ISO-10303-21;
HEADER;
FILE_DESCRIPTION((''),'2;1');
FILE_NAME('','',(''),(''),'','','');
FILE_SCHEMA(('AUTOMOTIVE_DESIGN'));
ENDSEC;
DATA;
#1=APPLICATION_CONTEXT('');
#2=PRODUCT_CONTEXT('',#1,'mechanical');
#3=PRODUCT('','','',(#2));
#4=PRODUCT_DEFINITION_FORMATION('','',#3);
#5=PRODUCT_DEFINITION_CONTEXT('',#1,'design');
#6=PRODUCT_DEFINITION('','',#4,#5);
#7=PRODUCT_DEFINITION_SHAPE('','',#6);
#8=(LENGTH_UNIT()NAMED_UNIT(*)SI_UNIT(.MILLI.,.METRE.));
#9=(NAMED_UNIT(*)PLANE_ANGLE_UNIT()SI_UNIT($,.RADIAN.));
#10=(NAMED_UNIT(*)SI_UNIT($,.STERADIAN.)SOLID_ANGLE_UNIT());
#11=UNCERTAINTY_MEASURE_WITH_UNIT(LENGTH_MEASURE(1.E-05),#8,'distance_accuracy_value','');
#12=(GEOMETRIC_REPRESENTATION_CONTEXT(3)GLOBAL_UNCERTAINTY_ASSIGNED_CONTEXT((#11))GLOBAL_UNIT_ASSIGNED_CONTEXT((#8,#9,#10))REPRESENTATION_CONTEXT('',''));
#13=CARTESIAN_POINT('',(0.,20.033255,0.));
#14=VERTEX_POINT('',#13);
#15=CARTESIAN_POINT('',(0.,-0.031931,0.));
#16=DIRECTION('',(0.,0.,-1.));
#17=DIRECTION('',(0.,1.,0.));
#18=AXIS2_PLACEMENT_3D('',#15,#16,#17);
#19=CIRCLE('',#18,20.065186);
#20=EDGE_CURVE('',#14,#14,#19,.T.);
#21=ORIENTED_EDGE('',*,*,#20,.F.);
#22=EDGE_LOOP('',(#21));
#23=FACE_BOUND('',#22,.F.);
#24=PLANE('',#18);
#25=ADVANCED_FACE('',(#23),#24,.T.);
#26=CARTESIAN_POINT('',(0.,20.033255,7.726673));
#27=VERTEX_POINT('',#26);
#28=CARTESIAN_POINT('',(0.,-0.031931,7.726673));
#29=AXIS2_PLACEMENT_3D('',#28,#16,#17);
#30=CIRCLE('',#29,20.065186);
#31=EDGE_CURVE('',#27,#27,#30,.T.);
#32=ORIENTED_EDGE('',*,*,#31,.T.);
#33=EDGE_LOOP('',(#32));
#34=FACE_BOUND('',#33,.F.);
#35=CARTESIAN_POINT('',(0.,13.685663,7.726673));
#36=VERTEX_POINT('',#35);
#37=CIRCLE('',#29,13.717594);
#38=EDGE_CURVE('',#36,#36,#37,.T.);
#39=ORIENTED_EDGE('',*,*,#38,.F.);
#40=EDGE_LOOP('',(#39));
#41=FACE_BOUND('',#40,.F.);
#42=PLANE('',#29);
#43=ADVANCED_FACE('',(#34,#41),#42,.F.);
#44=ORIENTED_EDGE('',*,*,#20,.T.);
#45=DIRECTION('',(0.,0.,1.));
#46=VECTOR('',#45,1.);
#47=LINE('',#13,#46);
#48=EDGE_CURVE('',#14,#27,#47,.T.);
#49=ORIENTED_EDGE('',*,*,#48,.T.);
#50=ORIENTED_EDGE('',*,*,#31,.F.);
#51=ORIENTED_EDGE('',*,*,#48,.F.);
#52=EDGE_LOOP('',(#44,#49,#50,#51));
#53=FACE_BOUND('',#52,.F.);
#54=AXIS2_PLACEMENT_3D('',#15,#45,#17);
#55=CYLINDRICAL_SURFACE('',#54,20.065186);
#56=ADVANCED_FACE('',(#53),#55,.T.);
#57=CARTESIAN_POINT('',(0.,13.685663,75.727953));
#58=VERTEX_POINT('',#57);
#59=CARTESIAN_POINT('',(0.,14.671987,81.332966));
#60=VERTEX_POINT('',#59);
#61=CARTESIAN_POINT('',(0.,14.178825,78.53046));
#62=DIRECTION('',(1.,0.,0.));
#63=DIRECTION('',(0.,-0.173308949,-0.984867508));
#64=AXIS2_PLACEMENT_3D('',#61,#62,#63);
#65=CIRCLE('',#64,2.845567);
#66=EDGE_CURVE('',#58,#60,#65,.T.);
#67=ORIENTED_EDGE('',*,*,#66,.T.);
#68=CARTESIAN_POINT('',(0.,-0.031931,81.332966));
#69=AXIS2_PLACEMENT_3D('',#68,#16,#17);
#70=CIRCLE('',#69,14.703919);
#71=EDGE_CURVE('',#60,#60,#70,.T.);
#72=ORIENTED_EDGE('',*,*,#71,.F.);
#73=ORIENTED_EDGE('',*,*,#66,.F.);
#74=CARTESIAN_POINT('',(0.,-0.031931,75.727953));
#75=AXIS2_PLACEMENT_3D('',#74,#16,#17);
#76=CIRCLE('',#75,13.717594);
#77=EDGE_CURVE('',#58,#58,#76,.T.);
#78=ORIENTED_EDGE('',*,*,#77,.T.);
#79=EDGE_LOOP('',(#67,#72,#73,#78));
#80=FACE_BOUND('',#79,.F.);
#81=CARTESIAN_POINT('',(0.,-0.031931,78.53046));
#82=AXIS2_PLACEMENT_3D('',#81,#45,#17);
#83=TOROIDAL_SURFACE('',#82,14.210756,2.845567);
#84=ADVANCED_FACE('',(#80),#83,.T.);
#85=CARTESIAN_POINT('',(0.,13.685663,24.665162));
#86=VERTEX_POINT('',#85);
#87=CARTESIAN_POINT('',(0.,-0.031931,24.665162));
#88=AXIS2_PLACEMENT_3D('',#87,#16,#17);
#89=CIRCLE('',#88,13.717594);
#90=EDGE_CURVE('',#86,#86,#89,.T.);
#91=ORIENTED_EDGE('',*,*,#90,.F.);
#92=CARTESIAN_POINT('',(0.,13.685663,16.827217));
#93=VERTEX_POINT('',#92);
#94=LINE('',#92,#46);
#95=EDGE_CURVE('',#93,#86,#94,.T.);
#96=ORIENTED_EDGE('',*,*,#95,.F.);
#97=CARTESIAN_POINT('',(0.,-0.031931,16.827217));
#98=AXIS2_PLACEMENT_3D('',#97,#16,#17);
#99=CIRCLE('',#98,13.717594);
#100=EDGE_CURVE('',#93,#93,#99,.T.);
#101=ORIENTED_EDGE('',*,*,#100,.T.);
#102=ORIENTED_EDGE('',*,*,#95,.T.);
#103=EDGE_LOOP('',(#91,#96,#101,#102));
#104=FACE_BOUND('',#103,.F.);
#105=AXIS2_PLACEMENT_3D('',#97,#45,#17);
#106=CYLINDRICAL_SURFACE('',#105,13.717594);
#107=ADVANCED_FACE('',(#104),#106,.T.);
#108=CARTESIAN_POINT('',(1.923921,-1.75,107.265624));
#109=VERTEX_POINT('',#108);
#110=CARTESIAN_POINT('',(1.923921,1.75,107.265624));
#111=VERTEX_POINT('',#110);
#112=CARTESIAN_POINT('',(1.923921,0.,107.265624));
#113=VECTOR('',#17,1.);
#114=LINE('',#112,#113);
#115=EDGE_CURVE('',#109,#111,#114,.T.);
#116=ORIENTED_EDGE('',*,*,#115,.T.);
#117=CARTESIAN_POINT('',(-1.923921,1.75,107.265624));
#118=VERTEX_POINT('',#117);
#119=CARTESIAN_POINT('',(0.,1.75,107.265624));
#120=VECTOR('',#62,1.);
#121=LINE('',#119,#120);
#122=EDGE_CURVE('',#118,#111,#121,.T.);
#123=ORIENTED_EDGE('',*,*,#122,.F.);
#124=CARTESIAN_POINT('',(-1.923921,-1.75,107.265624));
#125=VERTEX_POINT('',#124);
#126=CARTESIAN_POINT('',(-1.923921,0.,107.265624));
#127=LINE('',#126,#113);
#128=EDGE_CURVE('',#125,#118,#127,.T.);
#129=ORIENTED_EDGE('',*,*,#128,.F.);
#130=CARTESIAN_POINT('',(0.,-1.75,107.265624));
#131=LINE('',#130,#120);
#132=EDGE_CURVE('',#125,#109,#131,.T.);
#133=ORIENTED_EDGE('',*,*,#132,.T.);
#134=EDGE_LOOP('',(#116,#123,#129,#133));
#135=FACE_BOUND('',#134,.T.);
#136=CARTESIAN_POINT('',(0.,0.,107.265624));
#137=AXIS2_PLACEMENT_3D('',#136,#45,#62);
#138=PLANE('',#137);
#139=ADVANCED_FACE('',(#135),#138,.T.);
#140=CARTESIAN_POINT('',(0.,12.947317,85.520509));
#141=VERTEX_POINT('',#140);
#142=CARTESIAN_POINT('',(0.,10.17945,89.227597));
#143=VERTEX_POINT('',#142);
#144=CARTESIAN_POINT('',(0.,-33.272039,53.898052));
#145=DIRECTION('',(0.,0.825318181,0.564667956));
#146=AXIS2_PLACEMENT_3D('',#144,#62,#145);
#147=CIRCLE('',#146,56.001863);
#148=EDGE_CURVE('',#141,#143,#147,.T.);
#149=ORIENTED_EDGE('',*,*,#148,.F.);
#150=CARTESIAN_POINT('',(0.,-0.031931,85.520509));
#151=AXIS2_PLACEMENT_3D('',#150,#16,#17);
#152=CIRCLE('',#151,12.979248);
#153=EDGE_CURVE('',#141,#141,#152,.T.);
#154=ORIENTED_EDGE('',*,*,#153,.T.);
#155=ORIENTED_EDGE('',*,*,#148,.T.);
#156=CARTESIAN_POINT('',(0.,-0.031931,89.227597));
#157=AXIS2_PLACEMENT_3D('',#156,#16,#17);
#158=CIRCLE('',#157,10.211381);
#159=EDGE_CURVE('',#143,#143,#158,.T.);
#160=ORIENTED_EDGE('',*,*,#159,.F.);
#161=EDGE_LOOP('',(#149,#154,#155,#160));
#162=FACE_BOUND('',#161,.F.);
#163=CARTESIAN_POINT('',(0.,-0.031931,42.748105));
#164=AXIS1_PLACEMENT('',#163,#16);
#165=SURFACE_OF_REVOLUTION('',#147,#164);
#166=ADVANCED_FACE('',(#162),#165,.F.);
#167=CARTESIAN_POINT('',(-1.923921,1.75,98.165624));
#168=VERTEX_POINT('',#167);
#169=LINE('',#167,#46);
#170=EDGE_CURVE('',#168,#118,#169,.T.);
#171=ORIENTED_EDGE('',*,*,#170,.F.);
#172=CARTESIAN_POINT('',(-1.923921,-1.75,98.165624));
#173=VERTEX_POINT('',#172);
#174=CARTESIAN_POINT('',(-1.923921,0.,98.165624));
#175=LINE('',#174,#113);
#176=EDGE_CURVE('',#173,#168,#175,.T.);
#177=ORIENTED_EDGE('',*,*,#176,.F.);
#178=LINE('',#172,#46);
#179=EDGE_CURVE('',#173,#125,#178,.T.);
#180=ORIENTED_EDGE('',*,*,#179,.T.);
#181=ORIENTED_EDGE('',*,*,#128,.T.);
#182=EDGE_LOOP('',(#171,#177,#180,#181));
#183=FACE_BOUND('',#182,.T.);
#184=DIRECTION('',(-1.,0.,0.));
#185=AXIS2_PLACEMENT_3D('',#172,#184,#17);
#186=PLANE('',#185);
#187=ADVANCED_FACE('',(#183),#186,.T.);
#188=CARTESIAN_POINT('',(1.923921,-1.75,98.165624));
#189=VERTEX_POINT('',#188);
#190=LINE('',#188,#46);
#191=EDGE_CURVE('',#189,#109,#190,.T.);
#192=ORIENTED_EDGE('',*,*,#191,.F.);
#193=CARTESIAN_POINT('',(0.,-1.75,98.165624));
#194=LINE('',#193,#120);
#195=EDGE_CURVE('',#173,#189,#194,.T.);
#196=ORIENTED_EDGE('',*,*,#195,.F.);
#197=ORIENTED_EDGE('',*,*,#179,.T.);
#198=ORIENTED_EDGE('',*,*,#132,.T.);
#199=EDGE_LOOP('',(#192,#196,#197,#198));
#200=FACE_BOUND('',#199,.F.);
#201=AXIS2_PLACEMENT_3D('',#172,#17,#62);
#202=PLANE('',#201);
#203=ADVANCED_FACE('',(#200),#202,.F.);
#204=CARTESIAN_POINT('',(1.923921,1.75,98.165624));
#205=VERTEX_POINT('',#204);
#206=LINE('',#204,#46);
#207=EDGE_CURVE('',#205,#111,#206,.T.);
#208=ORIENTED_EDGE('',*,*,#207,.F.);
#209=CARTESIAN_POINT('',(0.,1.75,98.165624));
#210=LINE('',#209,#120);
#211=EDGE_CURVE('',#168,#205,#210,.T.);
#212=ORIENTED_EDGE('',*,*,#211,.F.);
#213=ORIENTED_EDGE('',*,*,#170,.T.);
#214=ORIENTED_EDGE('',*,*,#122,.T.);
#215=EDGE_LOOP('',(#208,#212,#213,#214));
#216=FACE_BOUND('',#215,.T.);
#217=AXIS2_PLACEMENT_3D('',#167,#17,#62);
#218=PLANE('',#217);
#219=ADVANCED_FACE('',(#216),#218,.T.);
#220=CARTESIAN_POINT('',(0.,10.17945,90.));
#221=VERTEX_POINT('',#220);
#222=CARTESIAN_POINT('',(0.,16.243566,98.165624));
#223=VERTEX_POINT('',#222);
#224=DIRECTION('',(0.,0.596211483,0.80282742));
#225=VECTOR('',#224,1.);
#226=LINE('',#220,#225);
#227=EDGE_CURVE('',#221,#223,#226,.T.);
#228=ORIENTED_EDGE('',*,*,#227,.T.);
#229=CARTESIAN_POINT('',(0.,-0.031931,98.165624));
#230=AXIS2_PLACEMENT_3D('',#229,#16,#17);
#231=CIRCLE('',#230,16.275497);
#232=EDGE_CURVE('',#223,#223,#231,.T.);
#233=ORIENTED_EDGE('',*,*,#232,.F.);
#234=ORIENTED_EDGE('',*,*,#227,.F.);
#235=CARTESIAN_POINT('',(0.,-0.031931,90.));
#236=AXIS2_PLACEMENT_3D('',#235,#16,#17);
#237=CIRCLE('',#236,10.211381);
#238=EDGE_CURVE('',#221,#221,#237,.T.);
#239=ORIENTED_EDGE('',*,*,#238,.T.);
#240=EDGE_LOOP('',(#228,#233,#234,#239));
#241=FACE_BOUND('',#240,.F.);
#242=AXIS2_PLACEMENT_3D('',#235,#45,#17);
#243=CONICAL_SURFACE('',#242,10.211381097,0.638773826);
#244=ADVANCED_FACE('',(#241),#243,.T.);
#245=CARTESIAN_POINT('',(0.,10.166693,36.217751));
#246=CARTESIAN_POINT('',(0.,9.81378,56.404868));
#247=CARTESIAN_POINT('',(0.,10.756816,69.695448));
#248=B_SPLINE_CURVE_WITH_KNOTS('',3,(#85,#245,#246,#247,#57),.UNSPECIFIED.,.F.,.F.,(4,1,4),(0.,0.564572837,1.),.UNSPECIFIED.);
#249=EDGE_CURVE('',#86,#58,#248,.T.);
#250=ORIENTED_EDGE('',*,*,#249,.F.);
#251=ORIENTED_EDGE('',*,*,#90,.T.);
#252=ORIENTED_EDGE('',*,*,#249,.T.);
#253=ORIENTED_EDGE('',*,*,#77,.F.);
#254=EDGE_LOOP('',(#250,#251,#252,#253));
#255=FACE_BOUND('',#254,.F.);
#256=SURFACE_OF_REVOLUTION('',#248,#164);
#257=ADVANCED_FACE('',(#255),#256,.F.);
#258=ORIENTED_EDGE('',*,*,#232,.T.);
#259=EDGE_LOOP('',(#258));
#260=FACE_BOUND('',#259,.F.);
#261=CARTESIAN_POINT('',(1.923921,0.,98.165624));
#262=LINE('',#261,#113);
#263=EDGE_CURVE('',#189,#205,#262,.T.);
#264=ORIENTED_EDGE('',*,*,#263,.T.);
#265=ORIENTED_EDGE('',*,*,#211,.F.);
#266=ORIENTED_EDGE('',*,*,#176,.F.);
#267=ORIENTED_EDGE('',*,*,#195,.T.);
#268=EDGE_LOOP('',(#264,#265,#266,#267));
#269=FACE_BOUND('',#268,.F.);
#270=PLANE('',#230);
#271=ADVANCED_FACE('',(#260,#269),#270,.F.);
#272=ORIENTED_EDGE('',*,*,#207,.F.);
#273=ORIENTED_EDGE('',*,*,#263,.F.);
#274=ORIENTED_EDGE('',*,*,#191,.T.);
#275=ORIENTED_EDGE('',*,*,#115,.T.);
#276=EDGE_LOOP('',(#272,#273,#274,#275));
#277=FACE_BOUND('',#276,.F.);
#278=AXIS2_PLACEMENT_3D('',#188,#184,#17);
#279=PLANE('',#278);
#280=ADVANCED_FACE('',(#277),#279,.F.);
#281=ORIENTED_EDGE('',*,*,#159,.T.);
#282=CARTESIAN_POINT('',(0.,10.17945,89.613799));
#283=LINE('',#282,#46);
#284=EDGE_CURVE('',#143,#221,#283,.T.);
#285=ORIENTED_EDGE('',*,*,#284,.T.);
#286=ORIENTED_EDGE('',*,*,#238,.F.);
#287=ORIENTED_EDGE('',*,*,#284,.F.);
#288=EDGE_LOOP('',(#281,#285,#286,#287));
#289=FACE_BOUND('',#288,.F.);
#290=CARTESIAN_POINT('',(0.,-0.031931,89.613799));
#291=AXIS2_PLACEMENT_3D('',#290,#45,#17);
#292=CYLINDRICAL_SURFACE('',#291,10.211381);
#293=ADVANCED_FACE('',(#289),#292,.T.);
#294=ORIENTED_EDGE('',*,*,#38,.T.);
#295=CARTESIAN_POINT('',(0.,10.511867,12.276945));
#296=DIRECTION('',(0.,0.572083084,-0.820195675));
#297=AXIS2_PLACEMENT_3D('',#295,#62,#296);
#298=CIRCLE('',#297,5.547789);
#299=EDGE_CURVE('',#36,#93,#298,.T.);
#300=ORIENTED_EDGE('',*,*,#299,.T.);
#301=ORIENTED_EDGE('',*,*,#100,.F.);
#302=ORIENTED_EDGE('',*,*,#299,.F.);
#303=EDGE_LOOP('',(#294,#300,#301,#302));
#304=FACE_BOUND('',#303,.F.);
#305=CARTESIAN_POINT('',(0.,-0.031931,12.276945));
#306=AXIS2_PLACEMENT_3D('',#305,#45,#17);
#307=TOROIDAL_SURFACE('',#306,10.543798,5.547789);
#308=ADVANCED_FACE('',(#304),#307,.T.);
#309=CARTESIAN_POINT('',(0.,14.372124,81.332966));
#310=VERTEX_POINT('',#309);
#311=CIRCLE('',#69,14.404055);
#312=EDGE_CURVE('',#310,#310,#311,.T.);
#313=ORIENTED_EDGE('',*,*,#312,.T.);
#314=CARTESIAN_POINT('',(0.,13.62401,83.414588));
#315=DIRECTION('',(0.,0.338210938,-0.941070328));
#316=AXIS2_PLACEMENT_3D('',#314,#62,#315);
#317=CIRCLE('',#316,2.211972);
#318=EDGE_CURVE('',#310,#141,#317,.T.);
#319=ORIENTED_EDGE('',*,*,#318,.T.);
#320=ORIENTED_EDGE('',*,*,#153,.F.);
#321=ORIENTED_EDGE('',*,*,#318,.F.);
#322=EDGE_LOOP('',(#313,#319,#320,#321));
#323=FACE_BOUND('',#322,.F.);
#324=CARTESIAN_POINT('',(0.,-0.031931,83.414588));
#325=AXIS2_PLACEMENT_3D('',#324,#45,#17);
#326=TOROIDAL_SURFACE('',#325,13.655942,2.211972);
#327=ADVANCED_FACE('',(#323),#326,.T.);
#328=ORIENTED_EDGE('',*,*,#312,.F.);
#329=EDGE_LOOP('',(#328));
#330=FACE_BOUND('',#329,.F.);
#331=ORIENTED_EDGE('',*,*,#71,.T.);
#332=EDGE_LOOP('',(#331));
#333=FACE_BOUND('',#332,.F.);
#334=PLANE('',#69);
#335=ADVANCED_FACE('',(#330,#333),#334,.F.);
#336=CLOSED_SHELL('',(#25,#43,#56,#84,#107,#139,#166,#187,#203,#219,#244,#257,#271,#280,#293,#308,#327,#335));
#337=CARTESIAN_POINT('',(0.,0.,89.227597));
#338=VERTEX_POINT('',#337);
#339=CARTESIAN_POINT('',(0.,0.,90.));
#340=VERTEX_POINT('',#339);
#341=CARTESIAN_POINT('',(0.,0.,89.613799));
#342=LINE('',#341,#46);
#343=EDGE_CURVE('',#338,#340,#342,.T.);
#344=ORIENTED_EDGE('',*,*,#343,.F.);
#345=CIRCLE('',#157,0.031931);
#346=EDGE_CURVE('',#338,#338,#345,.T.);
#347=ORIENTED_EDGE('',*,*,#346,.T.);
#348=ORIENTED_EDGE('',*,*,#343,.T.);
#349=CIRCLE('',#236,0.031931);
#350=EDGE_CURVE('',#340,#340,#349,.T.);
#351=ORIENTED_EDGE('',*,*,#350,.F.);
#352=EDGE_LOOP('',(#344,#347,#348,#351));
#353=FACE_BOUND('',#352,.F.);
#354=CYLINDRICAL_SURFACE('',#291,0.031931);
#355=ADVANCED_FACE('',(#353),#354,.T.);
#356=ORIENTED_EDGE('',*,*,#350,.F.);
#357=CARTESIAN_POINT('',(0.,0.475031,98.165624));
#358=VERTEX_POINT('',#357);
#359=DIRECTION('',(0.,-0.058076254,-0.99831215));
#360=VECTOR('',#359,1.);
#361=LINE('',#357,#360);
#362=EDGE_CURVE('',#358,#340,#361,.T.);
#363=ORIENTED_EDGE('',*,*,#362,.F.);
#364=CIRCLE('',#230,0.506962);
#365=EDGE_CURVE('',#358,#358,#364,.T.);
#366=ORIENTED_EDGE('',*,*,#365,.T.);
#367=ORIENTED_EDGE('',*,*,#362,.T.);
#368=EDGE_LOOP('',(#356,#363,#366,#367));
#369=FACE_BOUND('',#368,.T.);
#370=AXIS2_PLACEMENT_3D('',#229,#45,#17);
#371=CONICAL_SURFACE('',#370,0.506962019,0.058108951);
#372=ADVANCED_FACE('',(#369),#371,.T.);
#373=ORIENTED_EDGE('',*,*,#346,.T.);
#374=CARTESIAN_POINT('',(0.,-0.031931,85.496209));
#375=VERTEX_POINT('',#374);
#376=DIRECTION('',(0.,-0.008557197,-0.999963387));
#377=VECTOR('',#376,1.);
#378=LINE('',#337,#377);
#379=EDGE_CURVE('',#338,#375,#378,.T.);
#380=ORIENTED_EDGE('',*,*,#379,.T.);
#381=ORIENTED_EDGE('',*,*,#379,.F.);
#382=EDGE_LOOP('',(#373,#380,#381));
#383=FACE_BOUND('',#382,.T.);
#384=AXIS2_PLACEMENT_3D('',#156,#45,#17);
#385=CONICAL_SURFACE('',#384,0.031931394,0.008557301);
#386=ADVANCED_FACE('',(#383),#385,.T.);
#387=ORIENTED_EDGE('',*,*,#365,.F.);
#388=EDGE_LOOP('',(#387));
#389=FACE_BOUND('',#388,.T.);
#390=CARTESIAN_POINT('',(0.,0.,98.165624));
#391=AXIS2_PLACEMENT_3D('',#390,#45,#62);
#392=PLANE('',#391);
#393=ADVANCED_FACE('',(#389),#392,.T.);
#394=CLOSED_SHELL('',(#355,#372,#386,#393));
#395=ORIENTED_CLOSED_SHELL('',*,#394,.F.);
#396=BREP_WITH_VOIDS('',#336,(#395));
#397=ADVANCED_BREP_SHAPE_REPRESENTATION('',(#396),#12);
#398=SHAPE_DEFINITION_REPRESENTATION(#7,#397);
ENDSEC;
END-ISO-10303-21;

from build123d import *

# Parameters (mm, degrees)
F0_W     = 10.1794497028
F0_H     = 0.7724025938
F2_W     = 3.8478417757
F2_H     = 3.5
F3_DEPTH = 9.1


with BuildPart() as f1:
    # F0 (on Right) → F1 (revolve)
    with BuildSketch(Plane.YZ):
        with BuildLine():
            Line((-0.0319313937, 85.4962090044), (-0.0319313937, 0))
            Line((-0.0319313937, 0), (20.0332545325, 0))
            Line((20.0332545325, 0), (20.0332545325, 7.7266727535))
            Line((20.0332545325, 7.7266727535), (13.6856626113, 7.7266727535))
            ThreePointArc((13.6856626113, 7.7266727535), (16.0596551594, 12.2769448923), (13.6856626113, 16.8272170312))
            Line((13.6856626113, 16.8272170312), (13.6856626113, 24.6651616184))
            add(Edge.make_bspline(
                [(13.6856626113, 24.6651616184), (10.1666929892, 36.2177507062), (9.813779534, 56.4048678119), (10.7568159047, 69.6954480722), (13.6856626113, 75.7279531056)],
                knots=[0, 0, 0, 0, 0.5645728368, 1, 1, 1, 1], degree=3))
            ThreePointArc((13.6856626113, 75.7279531056), (16.9813315462, 78.0372975216), (14.6719871302, 81.3329664564))
            Line((14.6719871302, 81.3329664564), (14.3721235837, 81.3329664564))
            ThreePointArc((14.3721235837, 81.3329664564), (15.7180863922, 84.1270947855), (12.9473166824, 85.5205093742))
            ThreePointArc((12.9473166824, 85.5205093742), (12.9115033824, 85.5086636852), (12.8758972912, 85.4962090044))
            Line((12.8758972912, 85.4962090044), (-0.0319313937, 85.4962090044))
        make_face()
        with BuildLine():
            Line((0, 89.2275974062), (-0.0319313937, 85.4962090044))
            Line((-0.0319313937, 85.4962090044), (12.8758972912, 85.4962090044))
            ThreePointArc((12.8758972912, 85.4962090044), (12.9115033824, 85.5086636852), (12.9473166824, 85.5205093742))
            ThreePointArc((12.9473166824, 85.5205093742), (11.6016805763, 87.4026478187), (10.1794497028, 89.2275974062))
            Line((10.1794497028, 89.2275974062), (0, 89.2275974062))
        make_face()
        with Locations((5.0897248514, 89.6137987031)):
            Rectangle(F0_W, F0_H)
        Polygon((0.4750306252, 98.1656238437), (0, 90), (10.1794497028, 90), (16.2435658276, 98.1656238437), align=None)
    revolve(axis=Axis((0, -0.0319313937, 42.7481045022), (0, 0, -1)))

    # F2 (on face) → F3 (join)
    with BuildSketch(Plane.XY.offset(98.1656238437)):
        Rectangle(F2_W, F2_H)
    extrude(amount=F3_DEPTH)


solid = f1.part
